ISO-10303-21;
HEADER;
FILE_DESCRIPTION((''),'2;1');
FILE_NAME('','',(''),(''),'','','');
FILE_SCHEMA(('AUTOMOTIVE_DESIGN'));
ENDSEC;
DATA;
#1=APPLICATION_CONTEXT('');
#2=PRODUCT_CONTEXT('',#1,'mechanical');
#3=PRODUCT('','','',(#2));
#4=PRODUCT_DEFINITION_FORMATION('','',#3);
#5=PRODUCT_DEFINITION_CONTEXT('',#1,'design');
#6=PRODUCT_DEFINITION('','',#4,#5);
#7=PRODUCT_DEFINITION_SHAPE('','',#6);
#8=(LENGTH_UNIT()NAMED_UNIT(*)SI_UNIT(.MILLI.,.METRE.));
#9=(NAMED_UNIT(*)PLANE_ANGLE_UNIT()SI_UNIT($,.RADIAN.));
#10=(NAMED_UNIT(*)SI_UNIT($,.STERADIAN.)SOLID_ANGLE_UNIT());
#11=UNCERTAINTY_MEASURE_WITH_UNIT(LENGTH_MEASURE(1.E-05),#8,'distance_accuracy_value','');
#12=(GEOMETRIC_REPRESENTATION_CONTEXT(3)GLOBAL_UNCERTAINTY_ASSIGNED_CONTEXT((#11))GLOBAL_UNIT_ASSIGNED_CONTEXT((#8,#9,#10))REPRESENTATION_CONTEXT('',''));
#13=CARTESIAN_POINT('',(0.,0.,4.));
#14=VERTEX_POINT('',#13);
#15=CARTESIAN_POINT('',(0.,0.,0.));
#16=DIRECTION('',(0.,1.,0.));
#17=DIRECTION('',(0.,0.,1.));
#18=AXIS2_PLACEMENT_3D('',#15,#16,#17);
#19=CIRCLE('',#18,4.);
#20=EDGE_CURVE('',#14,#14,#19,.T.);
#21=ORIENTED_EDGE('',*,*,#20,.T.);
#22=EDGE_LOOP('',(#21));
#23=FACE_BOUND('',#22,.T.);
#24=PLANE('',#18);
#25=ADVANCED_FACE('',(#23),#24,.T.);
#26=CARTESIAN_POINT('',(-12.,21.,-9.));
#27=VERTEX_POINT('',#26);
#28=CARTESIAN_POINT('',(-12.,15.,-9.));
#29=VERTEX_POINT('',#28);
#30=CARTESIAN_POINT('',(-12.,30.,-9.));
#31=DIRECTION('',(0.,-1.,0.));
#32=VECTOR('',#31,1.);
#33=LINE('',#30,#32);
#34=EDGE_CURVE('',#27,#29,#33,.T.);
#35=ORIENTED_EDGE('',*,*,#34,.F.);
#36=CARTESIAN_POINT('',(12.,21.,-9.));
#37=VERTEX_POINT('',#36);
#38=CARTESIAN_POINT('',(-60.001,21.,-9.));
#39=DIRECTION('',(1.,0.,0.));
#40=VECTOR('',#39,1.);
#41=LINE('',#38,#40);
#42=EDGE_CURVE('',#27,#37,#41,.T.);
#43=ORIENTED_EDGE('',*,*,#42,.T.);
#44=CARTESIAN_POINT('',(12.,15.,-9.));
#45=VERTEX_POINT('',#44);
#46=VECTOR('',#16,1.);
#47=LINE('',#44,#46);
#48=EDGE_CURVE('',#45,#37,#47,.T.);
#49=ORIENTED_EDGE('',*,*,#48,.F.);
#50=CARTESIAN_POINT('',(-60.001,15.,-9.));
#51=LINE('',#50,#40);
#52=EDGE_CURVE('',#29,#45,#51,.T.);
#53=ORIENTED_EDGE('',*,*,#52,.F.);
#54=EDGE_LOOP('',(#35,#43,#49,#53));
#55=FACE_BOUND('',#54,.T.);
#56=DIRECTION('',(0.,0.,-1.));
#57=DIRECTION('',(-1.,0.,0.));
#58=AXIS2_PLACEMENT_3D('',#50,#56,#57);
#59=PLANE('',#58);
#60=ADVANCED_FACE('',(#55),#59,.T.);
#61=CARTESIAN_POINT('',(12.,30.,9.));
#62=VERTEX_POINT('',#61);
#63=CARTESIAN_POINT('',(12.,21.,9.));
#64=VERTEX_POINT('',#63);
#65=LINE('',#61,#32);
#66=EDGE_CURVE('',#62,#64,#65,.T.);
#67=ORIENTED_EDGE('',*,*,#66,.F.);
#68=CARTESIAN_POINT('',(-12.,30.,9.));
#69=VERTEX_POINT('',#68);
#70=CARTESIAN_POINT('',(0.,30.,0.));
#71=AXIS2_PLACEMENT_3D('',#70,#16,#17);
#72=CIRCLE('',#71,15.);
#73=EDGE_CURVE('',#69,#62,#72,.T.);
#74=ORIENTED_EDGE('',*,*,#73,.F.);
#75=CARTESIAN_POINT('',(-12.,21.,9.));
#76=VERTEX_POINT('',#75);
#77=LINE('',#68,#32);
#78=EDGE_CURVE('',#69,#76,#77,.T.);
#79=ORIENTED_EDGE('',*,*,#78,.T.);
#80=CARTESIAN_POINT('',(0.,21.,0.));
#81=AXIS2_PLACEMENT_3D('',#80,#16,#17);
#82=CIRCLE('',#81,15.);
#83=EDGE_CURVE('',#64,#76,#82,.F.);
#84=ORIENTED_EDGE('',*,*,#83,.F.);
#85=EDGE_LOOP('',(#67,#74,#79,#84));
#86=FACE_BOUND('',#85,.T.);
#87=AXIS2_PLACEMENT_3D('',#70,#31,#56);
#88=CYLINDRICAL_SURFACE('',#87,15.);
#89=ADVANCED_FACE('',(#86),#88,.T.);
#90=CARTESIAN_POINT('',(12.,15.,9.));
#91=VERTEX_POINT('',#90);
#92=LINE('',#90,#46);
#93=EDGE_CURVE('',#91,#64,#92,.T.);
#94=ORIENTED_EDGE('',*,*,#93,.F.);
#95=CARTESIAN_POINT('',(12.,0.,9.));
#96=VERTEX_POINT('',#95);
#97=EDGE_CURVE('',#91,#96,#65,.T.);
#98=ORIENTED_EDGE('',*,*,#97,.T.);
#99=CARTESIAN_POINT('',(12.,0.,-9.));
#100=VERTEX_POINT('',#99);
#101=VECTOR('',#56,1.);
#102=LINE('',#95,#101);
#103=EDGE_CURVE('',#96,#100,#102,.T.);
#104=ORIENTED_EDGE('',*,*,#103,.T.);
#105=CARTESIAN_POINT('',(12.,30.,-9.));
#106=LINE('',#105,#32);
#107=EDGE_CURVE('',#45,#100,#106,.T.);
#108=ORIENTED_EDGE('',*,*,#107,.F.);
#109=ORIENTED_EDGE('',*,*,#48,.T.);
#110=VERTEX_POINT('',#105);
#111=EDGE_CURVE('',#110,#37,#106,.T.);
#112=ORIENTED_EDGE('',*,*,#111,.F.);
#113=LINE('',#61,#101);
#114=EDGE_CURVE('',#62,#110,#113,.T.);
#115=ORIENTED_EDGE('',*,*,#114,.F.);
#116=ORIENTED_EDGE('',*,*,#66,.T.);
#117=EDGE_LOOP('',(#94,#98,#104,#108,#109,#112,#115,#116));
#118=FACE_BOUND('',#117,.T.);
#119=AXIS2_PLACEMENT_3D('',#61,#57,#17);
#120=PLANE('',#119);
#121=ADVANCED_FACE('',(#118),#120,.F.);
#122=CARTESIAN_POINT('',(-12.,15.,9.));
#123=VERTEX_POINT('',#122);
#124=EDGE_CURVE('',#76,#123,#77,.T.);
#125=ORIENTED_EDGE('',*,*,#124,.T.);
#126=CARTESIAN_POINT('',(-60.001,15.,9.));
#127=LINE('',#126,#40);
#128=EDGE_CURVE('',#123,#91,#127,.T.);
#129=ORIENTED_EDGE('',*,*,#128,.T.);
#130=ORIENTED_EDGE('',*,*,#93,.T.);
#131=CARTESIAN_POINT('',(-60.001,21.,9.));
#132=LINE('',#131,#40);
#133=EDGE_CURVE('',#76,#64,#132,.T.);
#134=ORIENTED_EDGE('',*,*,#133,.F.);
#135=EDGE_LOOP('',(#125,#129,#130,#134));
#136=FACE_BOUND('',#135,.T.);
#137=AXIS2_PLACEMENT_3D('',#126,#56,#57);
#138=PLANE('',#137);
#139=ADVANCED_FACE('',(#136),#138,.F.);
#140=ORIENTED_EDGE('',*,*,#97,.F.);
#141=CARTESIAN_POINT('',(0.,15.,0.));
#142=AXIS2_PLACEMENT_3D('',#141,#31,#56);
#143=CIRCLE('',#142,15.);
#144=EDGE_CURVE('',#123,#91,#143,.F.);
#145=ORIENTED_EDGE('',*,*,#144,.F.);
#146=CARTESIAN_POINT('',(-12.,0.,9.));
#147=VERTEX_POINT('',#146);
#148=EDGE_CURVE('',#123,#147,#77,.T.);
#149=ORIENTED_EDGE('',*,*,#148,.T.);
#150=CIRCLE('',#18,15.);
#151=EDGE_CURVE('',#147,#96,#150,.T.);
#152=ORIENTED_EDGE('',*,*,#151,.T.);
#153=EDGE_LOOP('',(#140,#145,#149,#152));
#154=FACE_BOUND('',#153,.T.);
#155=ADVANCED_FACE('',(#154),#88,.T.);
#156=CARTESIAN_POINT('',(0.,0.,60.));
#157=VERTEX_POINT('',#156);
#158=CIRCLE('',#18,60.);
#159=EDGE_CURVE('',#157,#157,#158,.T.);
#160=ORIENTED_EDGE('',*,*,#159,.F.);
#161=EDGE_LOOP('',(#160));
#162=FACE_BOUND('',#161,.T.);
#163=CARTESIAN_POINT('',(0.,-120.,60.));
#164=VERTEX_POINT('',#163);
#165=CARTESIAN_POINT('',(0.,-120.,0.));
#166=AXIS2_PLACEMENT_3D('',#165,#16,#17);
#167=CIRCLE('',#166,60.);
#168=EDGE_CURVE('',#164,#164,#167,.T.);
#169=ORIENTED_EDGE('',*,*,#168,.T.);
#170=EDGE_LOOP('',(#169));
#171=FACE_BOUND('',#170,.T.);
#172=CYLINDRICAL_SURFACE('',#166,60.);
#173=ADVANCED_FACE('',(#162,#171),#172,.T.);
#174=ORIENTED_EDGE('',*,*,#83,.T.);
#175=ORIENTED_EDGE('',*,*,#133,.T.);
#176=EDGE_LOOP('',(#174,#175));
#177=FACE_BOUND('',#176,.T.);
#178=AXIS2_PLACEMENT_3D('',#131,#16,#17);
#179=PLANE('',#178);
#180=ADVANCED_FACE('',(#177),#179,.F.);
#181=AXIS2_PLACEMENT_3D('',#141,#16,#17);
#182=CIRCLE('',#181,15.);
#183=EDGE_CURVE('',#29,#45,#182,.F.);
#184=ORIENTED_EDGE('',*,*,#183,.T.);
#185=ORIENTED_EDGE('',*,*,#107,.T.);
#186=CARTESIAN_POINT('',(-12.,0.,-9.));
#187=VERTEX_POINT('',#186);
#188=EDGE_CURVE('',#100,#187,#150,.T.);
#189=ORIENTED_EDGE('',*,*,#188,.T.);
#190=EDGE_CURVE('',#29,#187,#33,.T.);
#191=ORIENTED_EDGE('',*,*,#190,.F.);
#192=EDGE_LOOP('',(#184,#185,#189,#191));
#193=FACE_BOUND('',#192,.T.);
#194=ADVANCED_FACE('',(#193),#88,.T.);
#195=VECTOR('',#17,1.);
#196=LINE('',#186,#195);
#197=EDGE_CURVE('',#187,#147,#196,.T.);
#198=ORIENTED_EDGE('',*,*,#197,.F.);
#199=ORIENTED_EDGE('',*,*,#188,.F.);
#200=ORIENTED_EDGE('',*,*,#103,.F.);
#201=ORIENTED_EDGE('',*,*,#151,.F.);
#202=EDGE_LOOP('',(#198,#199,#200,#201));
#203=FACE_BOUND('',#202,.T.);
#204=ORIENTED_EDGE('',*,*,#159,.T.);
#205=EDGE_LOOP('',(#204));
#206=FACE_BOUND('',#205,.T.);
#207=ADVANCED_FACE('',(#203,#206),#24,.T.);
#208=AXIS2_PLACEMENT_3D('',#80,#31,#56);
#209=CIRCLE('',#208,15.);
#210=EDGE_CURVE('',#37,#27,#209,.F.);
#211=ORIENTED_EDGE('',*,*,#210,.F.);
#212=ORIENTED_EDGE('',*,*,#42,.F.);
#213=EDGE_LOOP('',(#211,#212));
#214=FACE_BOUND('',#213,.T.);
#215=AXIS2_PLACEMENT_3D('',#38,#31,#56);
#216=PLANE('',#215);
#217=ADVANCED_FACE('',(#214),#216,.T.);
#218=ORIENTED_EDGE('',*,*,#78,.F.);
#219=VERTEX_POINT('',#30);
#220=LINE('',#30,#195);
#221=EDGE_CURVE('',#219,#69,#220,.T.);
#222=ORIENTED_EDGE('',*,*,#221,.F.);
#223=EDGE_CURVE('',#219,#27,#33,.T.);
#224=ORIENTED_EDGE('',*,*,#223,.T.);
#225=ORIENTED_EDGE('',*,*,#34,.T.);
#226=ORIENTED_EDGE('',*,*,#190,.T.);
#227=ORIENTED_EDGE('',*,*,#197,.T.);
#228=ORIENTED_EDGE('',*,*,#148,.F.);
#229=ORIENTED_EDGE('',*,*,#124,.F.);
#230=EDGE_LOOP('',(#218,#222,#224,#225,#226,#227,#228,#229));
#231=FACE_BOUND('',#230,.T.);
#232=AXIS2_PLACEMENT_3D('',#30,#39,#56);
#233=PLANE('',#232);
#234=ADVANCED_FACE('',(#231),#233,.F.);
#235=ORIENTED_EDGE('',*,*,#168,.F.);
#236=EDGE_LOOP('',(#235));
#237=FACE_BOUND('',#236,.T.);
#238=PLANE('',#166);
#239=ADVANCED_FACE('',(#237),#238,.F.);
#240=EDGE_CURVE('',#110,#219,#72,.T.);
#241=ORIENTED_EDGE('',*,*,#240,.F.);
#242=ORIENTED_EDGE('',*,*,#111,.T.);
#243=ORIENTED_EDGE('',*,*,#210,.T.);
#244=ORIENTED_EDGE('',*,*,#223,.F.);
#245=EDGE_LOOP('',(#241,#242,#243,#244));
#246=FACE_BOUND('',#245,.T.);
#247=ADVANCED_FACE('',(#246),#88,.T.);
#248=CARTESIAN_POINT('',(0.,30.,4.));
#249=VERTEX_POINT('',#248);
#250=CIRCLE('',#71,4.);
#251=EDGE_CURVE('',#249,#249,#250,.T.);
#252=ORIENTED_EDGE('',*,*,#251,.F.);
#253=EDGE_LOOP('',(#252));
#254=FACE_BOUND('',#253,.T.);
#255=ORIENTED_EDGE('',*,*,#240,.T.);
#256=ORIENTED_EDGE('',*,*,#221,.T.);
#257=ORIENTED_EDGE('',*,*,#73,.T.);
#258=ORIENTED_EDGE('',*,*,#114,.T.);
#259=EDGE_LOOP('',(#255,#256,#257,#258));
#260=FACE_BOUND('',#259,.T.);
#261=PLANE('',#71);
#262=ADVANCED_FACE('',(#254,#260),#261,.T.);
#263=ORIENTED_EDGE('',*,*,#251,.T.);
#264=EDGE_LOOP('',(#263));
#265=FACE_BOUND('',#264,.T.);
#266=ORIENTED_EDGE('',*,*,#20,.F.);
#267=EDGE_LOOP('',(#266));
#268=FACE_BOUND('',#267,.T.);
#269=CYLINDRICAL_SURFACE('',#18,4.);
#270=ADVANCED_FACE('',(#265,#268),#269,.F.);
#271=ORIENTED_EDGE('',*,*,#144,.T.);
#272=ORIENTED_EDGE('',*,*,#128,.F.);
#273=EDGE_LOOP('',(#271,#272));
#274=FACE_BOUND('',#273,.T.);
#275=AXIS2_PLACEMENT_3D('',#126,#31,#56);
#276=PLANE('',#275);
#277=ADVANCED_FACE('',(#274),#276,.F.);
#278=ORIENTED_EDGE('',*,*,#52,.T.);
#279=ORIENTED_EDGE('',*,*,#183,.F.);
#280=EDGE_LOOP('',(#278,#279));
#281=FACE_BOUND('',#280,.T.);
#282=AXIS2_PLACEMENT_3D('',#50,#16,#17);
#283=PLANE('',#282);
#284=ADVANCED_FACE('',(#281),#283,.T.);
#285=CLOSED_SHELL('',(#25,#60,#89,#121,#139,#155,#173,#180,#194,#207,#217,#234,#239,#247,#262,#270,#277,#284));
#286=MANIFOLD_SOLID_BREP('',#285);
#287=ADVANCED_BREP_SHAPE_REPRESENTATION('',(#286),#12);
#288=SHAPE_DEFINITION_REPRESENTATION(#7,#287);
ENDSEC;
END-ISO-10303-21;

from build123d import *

# Parameters (mm, degrees)
SKETCH1_R           = 60
BOSS_EXTRUDE1_DEPTH = 120
BOSS_EXTRUDE2_DEPTH = 30
CUT_EXTRUDE1_REACH  = 154.263
SKETCH3_W           = 6
SKETCH3_H           = 6
SKETCH4_R           = 4
CUT_EXTRUDE2_DEPTH  = 30


with BuildPart() as part:
    # Sketch1 → Boss-Extrude1 (new body)
    with BuildSketch(Plane(origin=(0, 0, 0), x_dir=(1, 0, 0), z_dir=(0, 1, 0))):
        with Locations(Location((0, 0, 0), (0, 0, 270))):
            Circle(SKETCH1_R)
    extrude(amount=-BOSS_EXTRUDE1_DEPTH)

    # Sketch2 → Boss-Extrude2 (add)
    with BuildSketch(Plane(origin=(0, 0, 0), x_dir=(1, 0, 0), z_dir=(0, 1, 0))):
        with BuildLine():
            Line((-12, 9), (-12, -9))
            ThreePointArc((-12, -9), (0, -15), (12, -9))
            Line((12, -9), (12, 9))
            ThreePointArc((12, 9), (0, 15), (-12, 9))
        make_face()
    extrude(amount=BOSS_EXTRUDE2_DEPTH)

    # Sketch3 → Cut-Extrude1 (cut, up to next)
    with BuildSketch(Plane(origin=(12, 0, 0), x_dir=(0, 0, -1), z_dir=(1, 0, 0)), mode=Mode.PRIVATE) as cut_extrude1_sk1:
        with Locations((-12, 18)):
            Rectangle(SKETCH3_W, SKETCH3_H)
    cut_extrude1_tool1 = extrude(cut_extrude1_sk1.sketch, amount=-CUT_EXTRUDE1_REACH, mode=Mode.PRIVATE) & part.part
    cut_extrude1 = cut_extrude1_tool1.solids().sort_by_distance((12, 18, 12))[0]
    add(cut_extrude1, mode=Mode.SUBTRACT)

    # Mirror1: Cut-Extrude1 across plane
    add(cut_extrude1.mirror(Plane.XY), mode=Mode.SUBTRACT)

    # Sketch4 → Cut-Extrude2 (cut)
    with BuildSketch(Plane(origin=(0, 30, 0), x_dir=(1, 0, 0), z_dir=(0, 1, 0))):
        with Locations(Location((0, 0, 0), (0, 0, 270))):
            Circle(SKETCH4_R)
    extrude(amount=-CUT_EXTRUDE2_DEPTH, mode=Mode.SUBTRACT)


solid = part.part
